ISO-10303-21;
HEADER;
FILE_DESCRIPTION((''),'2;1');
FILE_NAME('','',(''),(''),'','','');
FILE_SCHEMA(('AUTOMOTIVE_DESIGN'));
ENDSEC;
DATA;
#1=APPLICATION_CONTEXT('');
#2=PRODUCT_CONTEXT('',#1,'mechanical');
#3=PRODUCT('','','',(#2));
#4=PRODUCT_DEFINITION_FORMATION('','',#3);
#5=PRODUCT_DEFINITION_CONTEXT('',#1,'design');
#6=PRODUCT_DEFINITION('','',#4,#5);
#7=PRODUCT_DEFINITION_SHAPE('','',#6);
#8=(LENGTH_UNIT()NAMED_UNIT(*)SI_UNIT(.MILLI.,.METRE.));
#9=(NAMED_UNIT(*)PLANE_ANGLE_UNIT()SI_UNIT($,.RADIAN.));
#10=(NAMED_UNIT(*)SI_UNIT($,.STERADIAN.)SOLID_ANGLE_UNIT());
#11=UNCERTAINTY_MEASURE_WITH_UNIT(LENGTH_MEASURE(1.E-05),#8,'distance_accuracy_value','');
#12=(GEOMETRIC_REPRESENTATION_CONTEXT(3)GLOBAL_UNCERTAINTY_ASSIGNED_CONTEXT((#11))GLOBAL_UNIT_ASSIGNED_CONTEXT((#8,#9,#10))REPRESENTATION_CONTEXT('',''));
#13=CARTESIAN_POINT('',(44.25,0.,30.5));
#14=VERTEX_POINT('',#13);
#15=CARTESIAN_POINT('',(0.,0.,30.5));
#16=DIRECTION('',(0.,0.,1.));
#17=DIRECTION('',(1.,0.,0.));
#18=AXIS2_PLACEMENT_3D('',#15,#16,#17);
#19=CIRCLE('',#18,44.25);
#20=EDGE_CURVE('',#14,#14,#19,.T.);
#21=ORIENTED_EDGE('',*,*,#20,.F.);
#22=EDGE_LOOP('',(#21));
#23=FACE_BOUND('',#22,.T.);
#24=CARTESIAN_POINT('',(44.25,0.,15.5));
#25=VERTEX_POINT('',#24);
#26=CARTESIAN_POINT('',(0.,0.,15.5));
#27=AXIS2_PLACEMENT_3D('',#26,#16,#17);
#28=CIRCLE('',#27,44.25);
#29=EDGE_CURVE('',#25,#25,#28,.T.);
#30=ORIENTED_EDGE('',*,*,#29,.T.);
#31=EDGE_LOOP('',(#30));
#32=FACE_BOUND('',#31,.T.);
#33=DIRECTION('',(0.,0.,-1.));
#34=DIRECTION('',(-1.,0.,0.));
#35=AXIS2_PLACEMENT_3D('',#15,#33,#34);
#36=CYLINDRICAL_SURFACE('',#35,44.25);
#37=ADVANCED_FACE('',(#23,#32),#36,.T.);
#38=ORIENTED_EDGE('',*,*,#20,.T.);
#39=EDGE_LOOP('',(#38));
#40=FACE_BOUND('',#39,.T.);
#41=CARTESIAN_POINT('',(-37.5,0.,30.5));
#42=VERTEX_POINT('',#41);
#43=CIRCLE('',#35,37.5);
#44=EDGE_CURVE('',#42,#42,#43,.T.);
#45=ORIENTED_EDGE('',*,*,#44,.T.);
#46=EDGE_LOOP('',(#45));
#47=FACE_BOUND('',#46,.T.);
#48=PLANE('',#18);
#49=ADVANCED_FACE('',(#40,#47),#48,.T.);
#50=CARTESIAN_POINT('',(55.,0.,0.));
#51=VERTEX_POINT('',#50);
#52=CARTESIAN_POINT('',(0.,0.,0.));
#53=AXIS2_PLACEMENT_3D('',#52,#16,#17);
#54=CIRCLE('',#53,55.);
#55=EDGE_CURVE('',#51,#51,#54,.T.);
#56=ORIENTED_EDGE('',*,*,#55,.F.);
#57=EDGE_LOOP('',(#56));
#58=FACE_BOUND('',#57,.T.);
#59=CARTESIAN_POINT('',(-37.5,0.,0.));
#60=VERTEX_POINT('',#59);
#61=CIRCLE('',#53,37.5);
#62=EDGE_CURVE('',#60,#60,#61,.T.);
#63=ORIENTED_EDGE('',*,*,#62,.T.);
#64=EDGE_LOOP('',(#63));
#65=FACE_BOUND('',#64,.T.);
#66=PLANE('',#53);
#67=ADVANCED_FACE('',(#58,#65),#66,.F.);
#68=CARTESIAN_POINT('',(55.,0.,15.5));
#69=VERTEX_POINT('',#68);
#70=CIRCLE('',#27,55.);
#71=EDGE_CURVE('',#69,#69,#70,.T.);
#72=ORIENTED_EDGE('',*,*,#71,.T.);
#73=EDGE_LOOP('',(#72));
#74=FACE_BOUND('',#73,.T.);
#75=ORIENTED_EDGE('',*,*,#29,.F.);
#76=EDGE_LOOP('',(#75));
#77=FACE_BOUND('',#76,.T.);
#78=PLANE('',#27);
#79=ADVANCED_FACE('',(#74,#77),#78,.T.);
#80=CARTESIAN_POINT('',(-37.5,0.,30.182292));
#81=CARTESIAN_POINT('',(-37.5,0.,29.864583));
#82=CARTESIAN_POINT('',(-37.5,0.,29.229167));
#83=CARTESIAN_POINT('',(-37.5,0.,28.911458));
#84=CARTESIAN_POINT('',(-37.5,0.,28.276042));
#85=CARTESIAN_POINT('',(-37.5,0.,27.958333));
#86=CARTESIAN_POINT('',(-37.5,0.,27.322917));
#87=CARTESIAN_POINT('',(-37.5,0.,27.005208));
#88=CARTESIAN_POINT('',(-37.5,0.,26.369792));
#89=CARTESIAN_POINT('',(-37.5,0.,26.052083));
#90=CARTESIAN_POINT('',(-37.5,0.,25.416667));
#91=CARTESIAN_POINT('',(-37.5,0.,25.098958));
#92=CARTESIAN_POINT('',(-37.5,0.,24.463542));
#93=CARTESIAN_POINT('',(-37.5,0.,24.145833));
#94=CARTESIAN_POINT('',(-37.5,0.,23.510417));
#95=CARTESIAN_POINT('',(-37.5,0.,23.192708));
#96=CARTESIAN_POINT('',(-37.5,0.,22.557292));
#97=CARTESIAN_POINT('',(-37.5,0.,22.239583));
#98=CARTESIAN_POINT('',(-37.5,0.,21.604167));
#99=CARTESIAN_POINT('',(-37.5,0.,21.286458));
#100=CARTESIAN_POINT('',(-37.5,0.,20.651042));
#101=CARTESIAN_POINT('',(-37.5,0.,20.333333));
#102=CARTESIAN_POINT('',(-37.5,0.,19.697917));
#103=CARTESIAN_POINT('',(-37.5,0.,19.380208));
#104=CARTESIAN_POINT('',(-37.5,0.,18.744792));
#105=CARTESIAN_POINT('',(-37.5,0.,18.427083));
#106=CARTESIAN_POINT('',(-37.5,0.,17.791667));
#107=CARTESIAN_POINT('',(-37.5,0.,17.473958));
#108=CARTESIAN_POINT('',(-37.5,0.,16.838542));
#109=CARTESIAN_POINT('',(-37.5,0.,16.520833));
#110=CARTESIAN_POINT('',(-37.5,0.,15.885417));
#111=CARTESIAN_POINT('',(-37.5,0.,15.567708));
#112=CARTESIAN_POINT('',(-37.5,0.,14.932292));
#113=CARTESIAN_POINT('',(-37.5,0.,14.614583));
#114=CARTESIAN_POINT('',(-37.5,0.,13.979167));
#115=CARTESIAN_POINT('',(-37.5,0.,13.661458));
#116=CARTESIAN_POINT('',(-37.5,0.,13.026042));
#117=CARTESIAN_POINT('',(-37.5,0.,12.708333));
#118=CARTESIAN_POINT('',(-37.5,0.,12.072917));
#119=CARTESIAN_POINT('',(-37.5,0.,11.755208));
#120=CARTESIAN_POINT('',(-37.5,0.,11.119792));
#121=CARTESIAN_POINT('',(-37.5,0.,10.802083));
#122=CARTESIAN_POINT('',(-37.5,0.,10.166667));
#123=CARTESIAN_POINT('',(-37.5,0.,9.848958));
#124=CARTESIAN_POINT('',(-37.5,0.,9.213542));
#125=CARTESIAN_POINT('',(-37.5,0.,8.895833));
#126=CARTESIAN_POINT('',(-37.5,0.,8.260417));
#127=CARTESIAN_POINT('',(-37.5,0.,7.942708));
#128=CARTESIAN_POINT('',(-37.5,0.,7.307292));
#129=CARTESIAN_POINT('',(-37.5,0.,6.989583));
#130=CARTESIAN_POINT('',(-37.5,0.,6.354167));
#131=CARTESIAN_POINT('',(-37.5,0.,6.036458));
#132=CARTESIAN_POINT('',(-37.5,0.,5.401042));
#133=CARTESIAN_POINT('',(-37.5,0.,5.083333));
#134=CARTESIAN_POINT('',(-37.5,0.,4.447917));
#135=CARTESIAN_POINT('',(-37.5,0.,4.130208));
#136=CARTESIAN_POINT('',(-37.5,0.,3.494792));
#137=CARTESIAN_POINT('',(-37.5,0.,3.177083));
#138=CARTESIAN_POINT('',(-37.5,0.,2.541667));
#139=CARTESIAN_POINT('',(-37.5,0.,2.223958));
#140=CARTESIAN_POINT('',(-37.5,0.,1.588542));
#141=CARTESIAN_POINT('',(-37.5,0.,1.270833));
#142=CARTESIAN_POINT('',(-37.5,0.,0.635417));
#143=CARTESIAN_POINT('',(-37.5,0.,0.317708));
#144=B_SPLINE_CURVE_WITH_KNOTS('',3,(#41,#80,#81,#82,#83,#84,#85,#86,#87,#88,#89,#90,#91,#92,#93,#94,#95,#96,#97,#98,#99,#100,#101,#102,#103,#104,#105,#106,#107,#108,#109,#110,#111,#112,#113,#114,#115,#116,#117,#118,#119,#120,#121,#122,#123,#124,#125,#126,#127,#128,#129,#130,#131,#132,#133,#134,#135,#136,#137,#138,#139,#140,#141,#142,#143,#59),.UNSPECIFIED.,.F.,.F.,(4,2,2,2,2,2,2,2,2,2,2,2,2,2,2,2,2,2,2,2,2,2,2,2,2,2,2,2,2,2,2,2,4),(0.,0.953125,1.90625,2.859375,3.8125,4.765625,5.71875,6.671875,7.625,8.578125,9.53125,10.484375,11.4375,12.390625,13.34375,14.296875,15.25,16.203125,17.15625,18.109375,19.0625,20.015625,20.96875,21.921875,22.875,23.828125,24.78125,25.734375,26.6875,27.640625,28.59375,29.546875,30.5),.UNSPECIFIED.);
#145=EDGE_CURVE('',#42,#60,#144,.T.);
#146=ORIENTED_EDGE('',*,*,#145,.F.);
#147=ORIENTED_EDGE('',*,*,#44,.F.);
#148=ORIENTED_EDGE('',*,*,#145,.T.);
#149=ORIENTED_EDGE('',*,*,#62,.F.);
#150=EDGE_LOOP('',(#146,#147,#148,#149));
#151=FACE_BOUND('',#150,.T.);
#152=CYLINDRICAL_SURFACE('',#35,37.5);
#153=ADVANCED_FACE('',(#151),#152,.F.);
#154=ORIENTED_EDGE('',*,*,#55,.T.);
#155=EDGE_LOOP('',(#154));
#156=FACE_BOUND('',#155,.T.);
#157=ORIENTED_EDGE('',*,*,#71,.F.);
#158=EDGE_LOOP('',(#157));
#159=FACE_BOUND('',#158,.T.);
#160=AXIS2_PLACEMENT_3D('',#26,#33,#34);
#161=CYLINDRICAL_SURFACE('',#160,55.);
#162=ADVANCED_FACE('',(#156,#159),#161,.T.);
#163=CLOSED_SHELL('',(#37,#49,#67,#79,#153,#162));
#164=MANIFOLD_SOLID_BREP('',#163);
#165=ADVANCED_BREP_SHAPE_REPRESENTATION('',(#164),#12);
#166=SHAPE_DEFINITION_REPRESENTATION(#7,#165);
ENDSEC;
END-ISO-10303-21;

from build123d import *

# Parameters (mm, degrees)
SKETCH1_R               = 55
BOSS_EXTRUDE1_DEPTH     = 15.5
SKETCH2_R               = 44.25
BOSS_EXTRUDE2_DEPTH     = 15
CUT_EXTRUDE3_DEPTH      = 84.547890458
CUT_EXTRUDE3_DEPTH_BACK = 84.547890458
SKETCH3_R               = 37.5


with BuildPart() as part:
    # Sketch1 → Boss-Extrude1 (new body)
    with BuildSketch(Plane.XY):
        Circle(SKETCH1_R)
    extrude(amount=BOSS_EXTRUDE1_DEPTH)

    # Sketch2 → Boss-Extrude2 (add)
    with BuildSketch(Plane.XY.offset(15.5)):
        Circle(SKETCH2_R)
    extrude(amount=BOSS_EXTRUDE2_DEPTH)

    # Sketch3 → Cut-Extrude3 (cut, two sides: drawn at the far end of the back side and taken through both)
    with BuildSketch(Plane(origin=(0, 0, 0), x_dir=(-1, 0, 0), z_dir=(0, 0, -1)).offset(-CUT_EXTRUDE3_DEPTH_BACK)):
        Circle(SKETCH3_R)
    extrude(amount=CUT_EXTRUDE3_DEPTH + CUT_EXTRUDE3_DEPTH_BACK, mode=Mode.SUBTRACT)


solid = part.part
